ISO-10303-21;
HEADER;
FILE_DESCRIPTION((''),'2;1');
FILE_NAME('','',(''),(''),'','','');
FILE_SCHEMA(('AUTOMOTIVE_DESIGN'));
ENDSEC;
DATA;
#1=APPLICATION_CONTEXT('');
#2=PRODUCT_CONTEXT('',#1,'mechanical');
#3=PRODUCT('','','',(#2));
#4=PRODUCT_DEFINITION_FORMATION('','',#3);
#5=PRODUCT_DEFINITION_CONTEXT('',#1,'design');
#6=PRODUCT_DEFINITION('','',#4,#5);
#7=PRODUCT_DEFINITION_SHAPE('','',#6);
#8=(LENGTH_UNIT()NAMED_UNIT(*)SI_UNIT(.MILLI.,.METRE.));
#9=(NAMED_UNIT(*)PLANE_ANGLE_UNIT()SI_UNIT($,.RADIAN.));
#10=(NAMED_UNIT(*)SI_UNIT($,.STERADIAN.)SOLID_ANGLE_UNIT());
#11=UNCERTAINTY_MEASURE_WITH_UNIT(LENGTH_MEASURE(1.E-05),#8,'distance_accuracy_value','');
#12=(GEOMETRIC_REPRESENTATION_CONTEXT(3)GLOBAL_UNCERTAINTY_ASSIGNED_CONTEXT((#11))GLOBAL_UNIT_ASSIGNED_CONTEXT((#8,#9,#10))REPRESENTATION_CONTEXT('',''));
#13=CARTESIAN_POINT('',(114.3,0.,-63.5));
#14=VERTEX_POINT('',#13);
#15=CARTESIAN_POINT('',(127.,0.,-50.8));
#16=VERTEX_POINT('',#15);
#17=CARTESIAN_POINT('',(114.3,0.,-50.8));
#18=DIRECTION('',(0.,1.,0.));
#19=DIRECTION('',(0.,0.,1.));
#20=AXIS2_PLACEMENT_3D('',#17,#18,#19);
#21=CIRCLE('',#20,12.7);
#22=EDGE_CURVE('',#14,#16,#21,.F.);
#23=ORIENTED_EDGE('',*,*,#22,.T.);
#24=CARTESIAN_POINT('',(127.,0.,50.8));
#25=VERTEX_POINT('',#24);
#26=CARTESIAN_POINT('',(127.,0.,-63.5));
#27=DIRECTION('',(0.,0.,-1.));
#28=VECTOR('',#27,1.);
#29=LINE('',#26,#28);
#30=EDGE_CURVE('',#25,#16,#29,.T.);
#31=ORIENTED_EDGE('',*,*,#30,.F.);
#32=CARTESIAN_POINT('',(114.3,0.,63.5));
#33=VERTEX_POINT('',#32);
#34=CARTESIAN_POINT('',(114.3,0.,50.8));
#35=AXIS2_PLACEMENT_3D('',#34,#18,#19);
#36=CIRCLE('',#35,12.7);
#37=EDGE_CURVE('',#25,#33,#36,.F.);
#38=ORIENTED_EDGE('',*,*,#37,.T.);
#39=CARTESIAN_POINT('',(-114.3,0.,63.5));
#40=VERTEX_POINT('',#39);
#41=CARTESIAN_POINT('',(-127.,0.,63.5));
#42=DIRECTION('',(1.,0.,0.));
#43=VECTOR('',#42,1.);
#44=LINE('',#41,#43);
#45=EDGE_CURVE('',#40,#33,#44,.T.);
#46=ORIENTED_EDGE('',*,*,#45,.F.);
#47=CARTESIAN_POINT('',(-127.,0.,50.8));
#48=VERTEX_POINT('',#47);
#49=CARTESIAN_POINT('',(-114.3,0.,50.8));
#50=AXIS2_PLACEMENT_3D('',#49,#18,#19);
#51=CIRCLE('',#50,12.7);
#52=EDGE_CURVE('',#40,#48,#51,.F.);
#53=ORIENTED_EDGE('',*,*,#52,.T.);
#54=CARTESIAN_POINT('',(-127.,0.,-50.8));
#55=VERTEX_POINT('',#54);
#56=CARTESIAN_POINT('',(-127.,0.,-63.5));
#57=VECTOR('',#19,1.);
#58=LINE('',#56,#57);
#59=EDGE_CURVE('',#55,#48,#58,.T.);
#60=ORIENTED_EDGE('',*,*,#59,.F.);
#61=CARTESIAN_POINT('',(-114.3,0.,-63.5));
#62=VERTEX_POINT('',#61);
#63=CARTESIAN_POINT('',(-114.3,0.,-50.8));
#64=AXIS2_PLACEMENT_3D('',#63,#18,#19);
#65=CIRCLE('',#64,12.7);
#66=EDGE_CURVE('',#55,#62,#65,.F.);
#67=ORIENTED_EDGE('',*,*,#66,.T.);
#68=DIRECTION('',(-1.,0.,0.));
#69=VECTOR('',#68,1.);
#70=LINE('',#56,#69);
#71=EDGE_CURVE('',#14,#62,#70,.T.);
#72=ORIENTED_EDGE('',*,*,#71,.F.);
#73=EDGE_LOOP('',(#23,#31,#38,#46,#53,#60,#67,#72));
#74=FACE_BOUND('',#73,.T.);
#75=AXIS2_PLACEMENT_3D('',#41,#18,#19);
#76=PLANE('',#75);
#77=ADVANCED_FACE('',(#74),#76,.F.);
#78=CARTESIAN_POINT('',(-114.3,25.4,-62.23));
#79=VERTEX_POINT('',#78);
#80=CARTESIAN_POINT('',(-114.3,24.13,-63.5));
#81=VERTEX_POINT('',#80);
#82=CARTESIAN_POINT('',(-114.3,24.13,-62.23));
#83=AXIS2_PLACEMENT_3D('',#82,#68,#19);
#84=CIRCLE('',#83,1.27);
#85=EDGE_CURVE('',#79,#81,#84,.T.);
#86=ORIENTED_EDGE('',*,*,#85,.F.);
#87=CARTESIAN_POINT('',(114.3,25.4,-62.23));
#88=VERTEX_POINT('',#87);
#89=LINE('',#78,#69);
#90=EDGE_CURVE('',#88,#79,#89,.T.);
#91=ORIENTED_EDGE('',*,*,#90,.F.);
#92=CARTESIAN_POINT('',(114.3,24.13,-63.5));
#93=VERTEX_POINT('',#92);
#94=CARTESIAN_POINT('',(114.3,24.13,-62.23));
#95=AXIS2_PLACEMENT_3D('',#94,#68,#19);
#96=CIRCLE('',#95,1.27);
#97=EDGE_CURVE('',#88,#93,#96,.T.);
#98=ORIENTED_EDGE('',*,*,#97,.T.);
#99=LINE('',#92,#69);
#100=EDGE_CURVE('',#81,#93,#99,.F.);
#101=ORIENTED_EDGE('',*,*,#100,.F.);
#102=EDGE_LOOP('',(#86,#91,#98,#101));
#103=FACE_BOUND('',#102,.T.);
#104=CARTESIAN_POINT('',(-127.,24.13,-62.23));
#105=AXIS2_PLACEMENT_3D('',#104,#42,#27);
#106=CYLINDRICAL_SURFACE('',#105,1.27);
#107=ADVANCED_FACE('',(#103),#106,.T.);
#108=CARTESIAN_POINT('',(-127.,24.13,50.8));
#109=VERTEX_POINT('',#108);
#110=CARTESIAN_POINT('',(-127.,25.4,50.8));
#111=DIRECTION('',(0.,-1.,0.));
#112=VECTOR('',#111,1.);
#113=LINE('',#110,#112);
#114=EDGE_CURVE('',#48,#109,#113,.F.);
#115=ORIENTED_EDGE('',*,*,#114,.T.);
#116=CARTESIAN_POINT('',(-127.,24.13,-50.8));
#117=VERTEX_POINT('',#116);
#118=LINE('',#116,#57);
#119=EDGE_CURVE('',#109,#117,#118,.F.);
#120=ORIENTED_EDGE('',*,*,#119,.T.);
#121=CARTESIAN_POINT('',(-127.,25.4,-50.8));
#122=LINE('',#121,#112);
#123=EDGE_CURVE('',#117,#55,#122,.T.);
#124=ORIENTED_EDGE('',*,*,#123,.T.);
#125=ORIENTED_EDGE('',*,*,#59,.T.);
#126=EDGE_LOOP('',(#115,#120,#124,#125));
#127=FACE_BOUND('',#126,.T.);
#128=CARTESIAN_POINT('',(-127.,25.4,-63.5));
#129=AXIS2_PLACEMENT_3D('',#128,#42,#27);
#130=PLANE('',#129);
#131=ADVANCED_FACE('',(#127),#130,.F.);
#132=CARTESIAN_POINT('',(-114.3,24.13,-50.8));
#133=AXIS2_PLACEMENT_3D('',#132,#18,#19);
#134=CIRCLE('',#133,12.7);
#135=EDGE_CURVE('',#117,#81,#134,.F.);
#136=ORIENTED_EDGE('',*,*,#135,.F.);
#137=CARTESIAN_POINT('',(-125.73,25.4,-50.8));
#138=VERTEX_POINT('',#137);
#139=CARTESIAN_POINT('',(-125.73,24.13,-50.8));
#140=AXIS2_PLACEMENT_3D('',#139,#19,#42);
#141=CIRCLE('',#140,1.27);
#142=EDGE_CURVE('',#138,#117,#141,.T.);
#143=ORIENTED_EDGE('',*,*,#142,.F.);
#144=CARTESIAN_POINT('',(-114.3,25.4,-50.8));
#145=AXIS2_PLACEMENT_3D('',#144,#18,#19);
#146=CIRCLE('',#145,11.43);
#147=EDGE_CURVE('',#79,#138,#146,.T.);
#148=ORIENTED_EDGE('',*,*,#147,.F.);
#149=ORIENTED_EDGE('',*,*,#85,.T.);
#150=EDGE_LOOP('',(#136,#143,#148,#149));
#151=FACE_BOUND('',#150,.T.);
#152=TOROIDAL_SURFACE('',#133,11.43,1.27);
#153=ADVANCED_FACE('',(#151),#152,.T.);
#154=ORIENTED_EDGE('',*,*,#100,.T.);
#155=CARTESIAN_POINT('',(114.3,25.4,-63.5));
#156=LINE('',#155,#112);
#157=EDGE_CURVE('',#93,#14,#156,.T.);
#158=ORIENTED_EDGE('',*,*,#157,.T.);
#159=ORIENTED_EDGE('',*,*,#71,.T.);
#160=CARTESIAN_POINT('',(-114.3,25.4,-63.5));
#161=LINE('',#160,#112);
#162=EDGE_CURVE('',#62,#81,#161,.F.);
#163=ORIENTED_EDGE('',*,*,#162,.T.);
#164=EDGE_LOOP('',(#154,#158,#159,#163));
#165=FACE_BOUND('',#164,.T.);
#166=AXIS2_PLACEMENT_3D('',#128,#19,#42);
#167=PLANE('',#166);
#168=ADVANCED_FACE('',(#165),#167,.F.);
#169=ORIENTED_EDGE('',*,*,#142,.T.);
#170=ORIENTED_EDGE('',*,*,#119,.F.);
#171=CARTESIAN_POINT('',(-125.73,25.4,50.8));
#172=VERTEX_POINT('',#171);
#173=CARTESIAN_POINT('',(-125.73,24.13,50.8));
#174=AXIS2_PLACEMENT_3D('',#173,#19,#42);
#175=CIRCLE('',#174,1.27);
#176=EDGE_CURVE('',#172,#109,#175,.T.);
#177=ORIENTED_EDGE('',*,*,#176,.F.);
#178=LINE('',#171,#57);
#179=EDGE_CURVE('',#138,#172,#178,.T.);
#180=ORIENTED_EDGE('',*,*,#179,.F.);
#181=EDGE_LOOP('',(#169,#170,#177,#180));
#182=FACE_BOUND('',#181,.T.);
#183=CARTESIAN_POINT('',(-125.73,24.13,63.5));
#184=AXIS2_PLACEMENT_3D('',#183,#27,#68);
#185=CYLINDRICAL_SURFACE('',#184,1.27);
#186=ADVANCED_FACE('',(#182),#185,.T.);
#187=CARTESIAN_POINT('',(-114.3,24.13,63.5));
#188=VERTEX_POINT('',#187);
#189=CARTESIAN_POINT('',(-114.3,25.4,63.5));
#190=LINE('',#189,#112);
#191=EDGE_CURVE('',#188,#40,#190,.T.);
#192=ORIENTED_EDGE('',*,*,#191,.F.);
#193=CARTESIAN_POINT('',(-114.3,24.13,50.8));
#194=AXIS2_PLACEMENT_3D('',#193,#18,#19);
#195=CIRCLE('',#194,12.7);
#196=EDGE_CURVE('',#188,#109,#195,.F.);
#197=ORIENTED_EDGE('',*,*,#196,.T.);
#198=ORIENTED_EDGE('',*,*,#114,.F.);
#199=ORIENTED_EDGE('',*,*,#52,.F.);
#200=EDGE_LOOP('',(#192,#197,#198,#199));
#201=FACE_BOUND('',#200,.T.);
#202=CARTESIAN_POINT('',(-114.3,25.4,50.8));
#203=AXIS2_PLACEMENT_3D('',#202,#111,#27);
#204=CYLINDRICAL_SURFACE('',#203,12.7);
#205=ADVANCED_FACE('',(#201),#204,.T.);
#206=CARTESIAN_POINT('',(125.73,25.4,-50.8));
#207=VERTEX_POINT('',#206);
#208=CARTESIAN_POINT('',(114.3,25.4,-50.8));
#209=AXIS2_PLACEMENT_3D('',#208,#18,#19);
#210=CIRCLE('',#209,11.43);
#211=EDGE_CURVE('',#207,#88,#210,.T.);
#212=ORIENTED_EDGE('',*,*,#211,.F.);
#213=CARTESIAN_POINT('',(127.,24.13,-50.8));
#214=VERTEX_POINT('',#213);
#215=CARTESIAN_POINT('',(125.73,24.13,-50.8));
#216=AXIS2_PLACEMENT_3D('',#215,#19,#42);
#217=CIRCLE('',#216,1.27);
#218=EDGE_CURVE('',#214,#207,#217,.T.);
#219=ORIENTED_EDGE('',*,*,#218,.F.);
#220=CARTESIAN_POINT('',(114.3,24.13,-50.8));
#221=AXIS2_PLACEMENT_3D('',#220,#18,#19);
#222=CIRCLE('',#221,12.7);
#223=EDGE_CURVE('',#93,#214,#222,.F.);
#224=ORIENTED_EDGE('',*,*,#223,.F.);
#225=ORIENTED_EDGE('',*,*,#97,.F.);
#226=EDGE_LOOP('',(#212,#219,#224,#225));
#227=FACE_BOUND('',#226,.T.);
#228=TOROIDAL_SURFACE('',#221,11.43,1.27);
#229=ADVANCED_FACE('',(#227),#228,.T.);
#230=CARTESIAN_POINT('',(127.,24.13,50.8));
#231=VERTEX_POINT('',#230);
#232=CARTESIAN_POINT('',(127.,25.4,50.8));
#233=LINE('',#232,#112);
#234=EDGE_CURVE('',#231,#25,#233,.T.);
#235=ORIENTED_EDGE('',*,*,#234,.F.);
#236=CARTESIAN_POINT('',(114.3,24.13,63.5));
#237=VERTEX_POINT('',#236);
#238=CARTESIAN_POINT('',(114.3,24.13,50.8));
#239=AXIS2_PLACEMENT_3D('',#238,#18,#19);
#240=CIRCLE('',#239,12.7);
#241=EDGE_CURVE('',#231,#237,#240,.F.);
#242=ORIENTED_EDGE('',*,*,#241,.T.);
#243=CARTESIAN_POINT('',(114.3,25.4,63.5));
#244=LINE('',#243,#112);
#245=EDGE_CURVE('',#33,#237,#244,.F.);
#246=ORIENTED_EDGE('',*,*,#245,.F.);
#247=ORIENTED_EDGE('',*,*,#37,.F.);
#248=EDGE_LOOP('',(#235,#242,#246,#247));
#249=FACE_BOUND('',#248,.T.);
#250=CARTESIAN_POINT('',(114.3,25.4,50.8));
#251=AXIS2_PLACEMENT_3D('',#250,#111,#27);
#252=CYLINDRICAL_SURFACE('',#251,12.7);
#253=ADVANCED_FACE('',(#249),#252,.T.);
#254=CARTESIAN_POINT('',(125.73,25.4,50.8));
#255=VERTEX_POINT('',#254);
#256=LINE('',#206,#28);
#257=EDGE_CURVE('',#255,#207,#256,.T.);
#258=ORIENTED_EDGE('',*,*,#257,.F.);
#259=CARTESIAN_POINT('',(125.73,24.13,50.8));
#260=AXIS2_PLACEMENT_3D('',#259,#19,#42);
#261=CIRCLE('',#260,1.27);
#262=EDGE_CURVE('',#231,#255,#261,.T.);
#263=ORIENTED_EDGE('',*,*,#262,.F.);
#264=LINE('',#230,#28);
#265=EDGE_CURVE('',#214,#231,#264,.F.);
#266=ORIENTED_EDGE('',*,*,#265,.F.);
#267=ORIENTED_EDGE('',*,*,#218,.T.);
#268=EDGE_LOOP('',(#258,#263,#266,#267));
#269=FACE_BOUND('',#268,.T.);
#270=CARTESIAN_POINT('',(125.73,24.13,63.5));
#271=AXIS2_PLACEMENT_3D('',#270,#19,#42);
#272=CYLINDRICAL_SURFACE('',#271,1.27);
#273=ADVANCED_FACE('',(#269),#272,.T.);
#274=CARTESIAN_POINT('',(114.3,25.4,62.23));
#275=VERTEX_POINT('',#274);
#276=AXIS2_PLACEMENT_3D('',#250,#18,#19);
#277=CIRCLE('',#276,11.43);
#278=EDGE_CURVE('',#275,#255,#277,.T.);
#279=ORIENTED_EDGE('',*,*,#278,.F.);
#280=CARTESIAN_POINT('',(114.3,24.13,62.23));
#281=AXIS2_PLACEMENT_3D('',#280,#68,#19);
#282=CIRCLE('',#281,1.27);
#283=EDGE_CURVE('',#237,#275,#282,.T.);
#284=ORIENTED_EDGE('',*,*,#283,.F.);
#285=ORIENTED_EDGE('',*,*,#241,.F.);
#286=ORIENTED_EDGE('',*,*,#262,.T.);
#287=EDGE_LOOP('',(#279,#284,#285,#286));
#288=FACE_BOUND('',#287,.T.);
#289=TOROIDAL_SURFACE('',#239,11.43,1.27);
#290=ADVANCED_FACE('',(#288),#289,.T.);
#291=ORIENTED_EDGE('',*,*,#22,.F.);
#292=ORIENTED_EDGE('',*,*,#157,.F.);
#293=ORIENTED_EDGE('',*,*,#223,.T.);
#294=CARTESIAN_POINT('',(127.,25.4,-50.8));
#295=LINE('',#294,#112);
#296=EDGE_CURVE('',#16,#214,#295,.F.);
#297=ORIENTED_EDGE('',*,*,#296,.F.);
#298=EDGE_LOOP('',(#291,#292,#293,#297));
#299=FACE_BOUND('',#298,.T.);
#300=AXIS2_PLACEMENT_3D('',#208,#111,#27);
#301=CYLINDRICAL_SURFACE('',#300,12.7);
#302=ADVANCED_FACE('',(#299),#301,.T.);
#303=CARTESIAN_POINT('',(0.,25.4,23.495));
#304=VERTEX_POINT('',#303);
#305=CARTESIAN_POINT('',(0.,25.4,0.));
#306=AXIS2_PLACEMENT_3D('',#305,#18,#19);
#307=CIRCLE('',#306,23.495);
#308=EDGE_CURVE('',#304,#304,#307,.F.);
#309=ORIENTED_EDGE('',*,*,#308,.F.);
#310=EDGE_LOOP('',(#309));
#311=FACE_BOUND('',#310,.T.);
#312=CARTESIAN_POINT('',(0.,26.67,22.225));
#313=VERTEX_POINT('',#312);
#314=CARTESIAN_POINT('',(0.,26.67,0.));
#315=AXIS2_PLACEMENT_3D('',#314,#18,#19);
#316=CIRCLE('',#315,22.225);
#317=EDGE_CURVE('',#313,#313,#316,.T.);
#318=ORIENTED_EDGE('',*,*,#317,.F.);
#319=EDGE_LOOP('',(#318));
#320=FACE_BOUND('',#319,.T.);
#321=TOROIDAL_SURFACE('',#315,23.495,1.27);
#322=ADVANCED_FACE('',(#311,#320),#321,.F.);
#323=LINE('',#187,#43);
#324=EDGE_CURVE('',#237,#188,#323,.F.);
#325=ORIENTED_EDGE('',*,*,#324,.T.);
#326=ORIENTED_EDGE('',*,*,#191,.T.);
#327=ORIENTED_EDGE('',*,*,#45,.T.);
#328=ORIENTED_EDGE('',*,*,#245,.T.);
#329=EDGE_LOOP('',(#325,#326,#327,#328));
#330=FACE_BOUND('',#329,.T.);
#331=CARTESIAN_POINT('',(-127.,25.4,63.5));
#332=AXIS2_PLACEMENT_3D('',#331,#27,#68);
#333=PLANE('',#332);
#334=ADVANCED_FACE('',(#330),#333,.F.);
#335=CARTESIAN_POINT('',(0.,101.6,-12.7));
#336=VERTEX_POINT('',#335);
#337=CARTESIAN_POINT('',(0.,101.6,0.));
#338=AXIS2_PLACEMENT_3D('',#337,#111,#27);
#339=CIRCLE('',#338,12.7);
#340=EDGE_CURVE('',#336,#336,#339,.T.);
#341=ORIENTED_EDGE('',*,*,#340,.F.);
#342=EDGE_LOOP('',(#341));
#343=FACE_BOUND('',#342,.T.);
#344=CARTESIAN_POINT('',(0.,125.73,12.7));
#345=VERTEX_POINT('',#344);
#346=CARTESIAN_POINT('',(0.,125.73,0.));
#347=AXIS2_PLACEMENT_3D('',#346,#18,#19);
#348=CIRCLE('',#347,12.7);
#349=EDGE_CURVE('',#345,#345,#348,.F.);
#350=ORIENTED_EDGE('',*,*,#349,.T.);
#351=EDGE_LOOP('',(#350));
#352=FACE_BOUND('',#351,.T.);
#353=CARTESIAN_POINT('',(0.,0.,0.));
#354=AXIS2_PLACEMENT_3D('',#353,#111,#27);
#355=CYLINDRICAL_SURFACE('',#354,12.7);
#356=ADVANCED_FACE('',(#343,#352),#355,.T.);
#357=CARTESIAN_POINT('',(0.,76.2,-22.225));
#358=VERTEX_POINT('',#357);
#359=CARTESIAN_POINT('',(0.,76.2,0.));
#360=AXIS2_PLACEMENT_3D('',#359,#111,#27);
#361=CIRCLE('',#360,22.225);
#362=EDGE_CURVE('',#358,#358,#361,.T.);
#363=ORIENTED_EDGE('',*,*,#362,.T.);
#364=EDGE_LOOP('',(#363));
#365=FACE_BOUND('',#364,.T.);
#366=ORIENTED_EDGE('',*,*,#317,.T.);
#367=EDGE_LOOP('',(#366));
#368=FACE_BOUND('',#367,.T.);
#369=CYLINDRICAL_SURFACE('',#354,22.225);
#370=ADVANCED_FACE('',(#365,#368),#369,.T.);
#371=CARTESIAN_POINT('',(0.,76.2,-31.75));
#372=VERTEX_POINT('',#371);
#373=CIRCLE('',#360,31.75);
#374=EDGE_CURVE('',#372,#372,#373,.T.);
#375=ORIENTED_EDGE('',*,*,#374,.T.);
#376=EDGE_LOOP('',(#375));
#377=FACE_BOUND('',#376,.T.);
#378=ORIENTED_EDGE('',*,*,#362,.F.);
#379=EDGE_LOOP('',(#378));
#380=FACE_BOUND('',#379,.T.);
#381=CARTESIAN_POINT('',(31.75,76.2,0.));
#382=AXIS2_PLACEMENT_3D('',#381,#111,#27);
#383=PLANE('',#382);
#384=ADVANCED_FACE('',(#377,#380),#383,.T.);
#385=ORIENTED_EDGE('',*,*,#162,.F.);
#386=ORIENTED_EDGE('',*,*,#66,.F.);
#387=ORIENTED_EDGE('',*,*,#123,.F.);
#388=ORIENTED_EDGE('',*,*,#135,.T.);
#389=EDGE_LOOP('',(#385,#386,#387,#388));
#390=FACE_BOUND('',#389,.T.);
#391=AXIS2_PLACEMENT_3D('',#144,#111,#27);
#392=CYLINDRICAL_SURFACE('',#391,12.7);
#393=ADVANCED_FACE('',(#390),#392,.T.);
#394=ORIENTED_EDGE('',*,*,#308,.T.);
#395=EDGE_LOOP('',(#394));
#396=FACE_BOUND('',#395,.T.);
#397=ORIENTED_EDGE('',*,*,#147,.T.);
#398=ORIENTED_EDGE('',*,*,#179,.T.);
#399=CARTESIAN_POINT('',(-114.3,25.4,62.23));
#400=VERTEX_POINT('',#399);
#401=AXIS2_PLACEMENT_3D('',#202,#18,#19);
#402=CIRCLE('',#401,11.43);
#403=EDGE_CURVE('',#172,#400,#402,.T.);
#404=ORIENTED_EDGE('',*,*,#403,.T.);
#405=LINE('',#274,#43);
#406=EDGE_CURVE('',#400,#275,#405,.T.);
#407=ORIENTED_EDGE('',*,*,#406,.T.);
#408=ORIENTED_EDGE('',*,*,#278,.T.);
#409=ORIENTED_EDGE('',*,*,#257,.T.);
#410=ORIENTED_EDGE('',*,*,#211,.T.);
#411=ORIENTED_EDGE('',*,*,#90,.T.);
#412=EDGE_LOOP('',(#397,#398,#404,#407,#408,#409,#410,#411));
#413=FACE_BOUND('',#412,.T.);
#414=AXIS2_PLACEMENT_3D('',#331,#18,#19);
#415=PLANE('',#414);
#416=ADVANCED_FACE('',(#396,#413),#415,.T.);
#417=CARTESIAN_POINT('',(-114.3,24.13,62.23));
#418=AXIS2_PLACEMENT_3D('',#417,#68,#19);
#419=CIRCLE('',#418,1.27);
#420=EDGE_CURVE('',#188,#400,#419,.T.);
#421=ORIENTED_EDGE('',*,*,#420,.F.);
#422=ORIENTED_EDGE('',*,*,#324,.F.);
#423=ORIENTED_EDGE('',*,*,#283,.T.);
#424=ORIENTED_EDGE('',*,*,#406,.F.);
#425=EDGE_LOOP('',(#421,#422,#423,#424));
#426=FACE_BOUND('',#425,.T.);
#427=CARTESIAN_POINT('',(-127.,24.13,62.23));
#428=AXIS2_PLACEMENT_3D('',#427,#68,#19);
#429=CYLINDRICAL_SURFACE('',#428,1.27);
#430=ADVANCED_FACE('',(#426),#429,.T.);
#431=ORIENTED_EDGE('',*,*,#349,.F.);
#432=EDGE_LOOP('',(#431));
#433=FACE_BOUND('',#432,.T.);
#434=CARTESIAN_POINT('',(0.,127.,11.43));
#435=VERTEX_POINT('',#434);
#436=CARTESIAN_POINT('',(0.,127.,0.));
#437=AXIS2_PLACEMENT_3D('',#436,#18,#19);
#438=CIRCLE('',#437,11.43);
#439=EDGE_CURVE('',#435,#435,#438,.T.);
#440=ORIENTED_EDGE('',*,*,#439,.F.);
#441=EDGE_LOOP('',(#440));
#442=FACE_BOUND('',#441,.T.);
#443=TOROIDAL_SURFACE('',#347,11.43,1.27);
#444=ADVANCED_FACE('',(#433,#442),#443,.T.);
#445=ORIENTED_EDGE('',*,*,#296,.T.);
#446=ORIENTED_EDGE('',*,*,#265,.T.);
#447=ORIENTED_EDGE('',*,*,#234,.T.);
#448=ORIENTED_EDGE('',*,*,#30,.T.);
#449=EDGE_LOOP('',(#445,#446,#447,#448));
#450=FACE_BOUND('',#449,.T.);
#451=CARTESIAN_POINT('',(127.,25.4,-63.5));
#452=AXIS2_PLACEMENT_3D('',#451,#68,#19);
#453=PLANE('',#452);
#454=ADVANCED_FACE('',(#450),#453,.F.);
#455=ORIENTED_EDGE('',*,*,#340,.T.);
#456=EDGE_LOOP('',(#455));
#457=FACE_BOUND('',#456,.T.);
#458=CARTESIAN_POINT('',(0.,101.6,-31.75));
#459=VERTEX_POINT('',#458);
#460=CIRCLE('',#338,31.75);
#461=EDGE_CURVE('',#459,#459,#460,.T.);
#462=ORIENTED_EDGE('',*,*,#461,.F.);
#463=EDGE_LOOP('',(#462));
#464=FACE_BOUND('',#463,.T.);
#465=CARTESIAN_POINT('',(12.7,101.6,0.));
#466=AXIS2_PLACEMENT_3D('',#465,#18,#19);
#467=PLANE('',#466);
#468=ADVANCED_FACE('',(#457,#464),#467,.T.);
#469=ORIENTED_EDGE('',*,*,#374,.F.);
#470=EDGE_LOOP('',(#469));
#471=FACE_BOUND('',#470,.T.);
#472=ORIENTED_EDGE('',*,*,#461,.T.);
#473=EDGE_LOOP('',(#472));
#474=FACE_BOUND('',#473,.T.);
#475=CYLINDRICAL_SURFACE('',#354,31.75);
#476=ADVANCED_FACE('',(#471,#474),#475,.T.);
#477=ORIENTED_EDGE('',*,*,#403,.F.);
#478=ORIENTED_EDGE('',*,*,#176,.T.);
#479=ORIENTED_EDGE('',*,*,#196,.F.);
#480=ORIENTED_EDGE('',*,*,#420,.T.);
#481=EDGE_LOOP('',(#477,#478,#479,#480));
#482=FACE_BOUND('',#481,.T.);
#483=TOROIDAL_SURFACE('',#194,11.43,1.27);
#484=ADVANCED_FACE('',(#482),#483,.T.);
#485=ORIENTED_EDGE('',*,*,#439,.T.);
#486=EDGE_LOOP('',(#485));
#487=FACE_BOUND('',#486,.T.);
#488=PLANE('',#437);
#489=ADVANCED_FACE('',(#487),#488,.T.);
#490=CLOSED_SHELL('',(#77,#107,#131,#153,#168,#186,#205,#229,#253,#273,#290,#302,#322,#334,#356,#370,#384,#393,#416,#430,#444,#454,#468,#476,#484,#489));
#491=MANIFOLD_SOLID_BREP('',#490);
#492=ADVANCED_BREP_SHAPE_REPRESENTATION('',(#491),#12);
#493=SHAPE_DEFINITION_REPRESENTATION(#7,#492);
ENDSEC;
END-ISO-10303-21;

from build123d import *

# Parameters (mm, degrees)
SKETCH1_W      = 254
SKETCH1_H      = 127
EXTRUDE1_DEPTH = 25.4
FILLET1_R      = 12.7
FILLET2_R      = 1.27


with BuildPart() as part:
    # Sketch1 → Extrude1 (new body)
    with BuildSketch(Plane(origin=(0, 0, 0), x_dir=(1, 0, 0), z_dir=(0, 1, 0))):
        Rectangle(SKETCH1_W, SKETCH1_H)
    extrude(amount=EXTRUDE1_DEPTH)

    # Sketch3 → Revolve1 (revolve)
    with BuildSketch(Plane.XY, mode=Mode.PRIVATE) as revolve1_sk:
        Polygon((0, 127), (12.7, 127), (12.7, 101.6), (31.75, 101.6), (31.75, 76.2), (22.225, 76.2), (22.225, 25.4), (0, 25.4), align=None)
    revolve(revolve1_sk.sketch.rotate(Axis((0, 0, 0), (0, 1, 0)), 90), axis=Axis((0, 0, 0), (0, 1, 0)))

    # Fillet1
    fillet1_edges = [part.edges().sort_by_distance(p)[0] for p in [
        (-127, 12.7, -63.5),
        (127, 12.7, -63.5),
        (127, 12.7, 63.5),
        (-127, 12.7, 63.5),
    ]]
    fillet(fillet1_edges, radius=FILLET1_R)

    # Fillet2
    fillet2_edges = [part.edges().sort_by_distance(p)[0] for p in [
        (0, 25.4, 22.225),
        (0, 127, 12.7),
        (127, 25.4, 0),
        (0, 25.4, 63.5),
        (-127, 25.4, 0),
        (0, 25.4, -63.5),
        (-123.280256121, 25.4, 59.780256121),
        (-123.280256121, 25.4, -59.780256121),
        (123.280256121, 25.4, -59.780256121),
        (123.280256121, 25.4, 59.780256121),
    ]]
    fillet(fillet2_edges, radius=FILLET2_R)


solid = part.part
